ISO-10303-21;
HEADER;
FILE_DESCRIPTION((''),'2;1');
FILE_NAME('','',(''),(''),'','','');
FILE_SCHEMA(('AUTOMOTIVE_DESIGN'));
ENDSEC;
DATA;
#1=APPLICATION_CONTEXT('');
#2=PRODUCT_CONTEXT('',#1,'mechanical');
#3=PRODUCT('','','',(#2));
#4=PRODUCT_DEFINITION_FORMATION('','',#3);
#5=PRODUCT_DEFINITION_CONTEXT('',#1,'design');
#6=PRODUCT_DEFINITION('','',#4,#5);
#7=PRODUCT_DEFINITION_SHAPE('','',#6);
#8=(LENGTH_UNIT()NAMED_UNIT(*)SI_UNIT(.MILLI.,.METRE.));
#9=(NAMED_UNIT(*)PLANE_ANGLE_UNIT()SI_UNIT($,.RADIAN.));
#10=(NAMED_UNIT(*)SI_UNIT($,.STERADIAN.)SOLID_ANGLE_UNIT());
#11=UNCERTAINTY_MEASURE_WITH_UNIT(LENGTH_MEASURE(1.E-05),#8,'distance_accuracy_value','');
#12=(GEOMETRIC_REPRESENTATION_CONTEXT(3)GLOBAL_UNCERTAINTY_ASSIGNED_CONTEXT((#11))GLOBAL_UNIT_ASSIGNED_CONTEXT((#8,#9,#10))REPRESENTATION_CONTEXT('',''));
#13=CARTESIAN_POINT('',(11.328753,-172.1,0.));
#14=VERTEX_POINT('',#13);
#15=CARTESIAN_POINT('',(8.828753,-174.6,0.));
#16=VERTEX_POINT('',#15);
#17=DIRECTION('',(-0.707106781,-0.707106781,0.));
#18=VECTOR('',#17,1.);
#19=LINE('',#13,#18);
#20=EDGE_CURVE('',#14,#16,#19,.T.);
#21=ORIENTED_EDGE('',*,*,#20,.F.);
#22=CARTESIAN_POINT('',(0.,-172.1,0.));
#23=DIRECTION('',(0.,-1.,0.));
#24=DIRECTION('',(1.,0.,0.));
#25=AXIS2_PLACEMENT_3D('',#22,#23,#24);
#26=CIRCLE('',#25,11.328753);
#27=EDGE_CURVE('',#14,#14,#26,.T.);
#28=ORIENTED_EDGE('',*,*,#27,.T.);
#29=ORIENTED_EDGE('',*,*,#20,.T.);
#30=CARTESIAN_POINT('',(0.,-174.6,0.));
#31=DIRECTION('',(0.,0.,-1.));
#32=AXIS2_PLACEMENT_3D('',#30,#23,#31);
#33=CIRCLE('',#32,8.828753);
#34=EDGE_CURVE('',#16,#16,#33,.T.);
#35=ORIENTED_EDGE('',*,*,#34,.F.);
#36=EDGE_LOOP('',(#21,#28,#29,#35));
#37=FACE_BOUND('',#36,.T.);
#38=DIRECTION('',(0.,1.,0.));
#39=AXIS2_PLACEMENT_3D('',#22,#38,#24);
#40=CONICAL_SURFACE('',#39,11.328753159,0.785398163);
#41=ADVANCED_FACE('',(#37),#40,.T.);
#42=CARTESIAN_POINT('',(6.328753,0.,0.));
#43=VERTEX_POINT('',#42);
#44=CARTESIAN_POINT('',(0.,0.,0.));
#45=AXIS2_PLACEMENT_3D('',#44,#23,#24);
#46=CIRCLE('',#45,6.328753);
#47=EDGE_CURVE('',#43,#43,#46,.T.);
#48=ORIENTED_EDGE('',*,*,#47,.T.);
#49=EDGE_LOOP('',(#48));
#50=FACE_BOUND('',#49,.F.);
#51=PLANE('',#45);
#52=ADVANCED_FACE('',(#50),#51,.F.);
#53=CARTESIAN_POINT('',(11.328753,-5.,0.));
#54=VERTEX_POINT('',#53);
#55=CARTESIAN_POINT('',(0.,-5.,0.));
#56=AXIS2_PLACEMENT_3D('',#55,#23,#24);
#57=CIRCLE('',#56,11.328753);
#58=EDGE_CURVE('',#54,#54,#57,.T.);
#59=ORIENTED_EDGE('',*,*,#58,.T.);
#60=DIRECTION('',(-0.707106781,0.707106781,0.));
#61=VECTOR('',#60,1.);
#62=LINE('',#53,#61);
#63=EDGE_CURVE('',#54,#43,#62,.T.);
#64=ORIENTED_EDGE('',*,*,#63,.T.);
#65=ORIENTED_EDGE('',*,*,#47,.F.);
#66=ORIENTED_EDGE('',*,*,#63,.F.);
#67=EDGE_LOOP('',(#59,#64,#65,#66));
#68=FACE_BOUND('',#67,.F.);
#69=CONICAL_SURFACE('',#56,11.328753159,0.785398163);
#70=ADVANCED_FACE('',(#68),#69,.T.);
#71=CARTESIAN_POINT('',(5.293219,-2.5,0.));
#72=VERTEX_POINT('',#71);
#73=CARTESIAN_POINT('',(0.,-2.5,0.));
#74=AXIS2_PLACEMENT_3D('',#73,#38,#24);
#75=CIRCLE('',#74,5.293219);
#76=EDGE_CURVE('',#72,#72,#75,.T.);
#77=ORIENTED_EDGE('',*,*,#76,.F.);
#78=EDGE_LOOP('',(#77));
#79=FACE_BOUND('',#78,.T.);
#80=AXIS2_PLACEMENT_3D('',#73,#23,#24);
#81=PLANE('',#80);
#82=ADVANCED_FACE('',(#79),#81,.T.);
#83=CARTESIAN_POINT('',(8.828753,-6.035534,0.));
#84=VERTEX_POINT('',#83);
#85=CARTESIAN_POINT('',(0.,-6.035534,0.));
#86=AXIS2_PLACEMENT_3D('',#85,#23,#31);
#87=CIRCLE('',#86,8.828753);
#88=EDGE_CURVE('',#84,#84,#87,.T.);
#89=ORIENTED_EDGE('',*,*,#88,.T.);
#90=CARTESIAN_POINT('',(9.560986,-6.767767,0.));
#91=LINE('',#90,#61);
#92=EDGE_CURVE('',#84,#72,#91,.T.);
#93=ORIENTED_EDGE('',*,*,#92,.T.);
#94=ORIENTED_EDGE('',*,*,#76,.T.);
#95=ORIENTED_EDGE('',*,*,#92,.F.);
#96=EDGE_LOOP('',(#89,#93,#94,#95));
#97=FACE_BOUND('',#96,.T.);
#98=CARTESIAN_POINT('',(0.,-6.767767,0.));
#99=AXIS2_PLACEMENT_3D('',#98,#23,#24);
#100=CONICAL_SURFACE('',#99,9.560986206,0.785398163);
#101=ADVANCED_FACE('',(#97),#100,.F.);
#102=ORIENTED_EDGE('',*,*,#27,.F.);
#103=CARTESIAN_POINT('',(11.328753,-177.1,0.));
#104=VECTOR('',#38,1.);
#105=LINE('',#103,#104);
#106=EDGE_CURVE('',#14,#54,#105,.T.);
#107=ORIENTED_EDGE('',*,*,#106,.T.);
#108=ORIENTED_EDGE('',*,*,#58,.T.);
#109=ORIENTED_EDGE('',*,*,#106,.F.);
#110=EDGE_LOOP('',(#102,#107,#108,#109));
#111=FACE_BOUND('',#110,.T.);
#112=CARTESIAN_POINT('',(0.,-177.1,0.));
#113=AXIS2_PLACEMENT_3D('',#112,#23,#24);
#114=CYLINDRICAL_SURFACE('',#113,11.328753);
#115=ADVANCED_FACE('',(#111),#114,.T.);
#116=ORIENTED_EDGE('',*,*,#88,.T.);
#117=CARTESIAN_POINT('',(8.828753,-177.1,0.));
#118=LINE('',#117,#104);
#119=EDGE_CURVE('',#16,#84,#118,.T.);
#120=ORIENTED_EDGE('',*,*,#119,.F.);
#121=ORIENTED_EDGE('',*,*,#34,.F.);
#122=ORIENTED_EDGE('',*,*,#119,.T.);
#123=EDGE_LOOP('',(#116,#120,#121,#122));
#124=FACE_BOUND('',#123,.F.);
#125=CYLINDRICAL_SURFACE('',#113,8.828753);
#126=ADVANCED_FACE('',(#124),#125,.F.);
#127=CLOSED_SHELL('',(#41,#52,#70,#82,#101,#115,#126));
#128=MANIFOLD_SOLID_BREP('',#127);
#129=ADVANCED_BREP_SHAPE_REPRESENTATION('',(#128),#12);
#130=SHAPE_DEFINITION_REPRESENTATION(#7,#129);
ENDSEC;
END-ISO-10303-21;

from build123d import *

# Parameters (mm, degrees)
F0_R     = 11.3287531589
F1_DEPTH = 177.1
F2_DEPTH = 52.2
F3_SIZE  = 5
F4_T     = -2.5


with BuildPart() as f1:
    # F0 (on Front) → F1 (new body)
    with BuildSketch(Plane.XZ):
        Circle(F0_R)
    extrude(amount=F1_DEPTH)

    # F2 (add): a face of the model
    f2_faces = [f1.faces().sort_by_distance(p)[0] for p in [
        (0, -177.1, 0),
    ]]
    extrude(f2_faces, amount=-F2_DEPTH)

    # F3
    f3_edges = [f1.edges().sort_by_distance(p)[0] for p in [
        (-11.328753, -177.1, 0),
        (-11.328753, 0, 0),
    ]]
    chamfer(f3_edges, length=F3_SIZE)

    # F4
    f4_openings = [f1.faces().sort_by_distance(p)[0] for p in [
        (0, -177.1, 0),
        (-8.828753, -174.6, 0),
    ]]
    offset(amount=F4_T, openings=f4_openings)


solid = f1.part
